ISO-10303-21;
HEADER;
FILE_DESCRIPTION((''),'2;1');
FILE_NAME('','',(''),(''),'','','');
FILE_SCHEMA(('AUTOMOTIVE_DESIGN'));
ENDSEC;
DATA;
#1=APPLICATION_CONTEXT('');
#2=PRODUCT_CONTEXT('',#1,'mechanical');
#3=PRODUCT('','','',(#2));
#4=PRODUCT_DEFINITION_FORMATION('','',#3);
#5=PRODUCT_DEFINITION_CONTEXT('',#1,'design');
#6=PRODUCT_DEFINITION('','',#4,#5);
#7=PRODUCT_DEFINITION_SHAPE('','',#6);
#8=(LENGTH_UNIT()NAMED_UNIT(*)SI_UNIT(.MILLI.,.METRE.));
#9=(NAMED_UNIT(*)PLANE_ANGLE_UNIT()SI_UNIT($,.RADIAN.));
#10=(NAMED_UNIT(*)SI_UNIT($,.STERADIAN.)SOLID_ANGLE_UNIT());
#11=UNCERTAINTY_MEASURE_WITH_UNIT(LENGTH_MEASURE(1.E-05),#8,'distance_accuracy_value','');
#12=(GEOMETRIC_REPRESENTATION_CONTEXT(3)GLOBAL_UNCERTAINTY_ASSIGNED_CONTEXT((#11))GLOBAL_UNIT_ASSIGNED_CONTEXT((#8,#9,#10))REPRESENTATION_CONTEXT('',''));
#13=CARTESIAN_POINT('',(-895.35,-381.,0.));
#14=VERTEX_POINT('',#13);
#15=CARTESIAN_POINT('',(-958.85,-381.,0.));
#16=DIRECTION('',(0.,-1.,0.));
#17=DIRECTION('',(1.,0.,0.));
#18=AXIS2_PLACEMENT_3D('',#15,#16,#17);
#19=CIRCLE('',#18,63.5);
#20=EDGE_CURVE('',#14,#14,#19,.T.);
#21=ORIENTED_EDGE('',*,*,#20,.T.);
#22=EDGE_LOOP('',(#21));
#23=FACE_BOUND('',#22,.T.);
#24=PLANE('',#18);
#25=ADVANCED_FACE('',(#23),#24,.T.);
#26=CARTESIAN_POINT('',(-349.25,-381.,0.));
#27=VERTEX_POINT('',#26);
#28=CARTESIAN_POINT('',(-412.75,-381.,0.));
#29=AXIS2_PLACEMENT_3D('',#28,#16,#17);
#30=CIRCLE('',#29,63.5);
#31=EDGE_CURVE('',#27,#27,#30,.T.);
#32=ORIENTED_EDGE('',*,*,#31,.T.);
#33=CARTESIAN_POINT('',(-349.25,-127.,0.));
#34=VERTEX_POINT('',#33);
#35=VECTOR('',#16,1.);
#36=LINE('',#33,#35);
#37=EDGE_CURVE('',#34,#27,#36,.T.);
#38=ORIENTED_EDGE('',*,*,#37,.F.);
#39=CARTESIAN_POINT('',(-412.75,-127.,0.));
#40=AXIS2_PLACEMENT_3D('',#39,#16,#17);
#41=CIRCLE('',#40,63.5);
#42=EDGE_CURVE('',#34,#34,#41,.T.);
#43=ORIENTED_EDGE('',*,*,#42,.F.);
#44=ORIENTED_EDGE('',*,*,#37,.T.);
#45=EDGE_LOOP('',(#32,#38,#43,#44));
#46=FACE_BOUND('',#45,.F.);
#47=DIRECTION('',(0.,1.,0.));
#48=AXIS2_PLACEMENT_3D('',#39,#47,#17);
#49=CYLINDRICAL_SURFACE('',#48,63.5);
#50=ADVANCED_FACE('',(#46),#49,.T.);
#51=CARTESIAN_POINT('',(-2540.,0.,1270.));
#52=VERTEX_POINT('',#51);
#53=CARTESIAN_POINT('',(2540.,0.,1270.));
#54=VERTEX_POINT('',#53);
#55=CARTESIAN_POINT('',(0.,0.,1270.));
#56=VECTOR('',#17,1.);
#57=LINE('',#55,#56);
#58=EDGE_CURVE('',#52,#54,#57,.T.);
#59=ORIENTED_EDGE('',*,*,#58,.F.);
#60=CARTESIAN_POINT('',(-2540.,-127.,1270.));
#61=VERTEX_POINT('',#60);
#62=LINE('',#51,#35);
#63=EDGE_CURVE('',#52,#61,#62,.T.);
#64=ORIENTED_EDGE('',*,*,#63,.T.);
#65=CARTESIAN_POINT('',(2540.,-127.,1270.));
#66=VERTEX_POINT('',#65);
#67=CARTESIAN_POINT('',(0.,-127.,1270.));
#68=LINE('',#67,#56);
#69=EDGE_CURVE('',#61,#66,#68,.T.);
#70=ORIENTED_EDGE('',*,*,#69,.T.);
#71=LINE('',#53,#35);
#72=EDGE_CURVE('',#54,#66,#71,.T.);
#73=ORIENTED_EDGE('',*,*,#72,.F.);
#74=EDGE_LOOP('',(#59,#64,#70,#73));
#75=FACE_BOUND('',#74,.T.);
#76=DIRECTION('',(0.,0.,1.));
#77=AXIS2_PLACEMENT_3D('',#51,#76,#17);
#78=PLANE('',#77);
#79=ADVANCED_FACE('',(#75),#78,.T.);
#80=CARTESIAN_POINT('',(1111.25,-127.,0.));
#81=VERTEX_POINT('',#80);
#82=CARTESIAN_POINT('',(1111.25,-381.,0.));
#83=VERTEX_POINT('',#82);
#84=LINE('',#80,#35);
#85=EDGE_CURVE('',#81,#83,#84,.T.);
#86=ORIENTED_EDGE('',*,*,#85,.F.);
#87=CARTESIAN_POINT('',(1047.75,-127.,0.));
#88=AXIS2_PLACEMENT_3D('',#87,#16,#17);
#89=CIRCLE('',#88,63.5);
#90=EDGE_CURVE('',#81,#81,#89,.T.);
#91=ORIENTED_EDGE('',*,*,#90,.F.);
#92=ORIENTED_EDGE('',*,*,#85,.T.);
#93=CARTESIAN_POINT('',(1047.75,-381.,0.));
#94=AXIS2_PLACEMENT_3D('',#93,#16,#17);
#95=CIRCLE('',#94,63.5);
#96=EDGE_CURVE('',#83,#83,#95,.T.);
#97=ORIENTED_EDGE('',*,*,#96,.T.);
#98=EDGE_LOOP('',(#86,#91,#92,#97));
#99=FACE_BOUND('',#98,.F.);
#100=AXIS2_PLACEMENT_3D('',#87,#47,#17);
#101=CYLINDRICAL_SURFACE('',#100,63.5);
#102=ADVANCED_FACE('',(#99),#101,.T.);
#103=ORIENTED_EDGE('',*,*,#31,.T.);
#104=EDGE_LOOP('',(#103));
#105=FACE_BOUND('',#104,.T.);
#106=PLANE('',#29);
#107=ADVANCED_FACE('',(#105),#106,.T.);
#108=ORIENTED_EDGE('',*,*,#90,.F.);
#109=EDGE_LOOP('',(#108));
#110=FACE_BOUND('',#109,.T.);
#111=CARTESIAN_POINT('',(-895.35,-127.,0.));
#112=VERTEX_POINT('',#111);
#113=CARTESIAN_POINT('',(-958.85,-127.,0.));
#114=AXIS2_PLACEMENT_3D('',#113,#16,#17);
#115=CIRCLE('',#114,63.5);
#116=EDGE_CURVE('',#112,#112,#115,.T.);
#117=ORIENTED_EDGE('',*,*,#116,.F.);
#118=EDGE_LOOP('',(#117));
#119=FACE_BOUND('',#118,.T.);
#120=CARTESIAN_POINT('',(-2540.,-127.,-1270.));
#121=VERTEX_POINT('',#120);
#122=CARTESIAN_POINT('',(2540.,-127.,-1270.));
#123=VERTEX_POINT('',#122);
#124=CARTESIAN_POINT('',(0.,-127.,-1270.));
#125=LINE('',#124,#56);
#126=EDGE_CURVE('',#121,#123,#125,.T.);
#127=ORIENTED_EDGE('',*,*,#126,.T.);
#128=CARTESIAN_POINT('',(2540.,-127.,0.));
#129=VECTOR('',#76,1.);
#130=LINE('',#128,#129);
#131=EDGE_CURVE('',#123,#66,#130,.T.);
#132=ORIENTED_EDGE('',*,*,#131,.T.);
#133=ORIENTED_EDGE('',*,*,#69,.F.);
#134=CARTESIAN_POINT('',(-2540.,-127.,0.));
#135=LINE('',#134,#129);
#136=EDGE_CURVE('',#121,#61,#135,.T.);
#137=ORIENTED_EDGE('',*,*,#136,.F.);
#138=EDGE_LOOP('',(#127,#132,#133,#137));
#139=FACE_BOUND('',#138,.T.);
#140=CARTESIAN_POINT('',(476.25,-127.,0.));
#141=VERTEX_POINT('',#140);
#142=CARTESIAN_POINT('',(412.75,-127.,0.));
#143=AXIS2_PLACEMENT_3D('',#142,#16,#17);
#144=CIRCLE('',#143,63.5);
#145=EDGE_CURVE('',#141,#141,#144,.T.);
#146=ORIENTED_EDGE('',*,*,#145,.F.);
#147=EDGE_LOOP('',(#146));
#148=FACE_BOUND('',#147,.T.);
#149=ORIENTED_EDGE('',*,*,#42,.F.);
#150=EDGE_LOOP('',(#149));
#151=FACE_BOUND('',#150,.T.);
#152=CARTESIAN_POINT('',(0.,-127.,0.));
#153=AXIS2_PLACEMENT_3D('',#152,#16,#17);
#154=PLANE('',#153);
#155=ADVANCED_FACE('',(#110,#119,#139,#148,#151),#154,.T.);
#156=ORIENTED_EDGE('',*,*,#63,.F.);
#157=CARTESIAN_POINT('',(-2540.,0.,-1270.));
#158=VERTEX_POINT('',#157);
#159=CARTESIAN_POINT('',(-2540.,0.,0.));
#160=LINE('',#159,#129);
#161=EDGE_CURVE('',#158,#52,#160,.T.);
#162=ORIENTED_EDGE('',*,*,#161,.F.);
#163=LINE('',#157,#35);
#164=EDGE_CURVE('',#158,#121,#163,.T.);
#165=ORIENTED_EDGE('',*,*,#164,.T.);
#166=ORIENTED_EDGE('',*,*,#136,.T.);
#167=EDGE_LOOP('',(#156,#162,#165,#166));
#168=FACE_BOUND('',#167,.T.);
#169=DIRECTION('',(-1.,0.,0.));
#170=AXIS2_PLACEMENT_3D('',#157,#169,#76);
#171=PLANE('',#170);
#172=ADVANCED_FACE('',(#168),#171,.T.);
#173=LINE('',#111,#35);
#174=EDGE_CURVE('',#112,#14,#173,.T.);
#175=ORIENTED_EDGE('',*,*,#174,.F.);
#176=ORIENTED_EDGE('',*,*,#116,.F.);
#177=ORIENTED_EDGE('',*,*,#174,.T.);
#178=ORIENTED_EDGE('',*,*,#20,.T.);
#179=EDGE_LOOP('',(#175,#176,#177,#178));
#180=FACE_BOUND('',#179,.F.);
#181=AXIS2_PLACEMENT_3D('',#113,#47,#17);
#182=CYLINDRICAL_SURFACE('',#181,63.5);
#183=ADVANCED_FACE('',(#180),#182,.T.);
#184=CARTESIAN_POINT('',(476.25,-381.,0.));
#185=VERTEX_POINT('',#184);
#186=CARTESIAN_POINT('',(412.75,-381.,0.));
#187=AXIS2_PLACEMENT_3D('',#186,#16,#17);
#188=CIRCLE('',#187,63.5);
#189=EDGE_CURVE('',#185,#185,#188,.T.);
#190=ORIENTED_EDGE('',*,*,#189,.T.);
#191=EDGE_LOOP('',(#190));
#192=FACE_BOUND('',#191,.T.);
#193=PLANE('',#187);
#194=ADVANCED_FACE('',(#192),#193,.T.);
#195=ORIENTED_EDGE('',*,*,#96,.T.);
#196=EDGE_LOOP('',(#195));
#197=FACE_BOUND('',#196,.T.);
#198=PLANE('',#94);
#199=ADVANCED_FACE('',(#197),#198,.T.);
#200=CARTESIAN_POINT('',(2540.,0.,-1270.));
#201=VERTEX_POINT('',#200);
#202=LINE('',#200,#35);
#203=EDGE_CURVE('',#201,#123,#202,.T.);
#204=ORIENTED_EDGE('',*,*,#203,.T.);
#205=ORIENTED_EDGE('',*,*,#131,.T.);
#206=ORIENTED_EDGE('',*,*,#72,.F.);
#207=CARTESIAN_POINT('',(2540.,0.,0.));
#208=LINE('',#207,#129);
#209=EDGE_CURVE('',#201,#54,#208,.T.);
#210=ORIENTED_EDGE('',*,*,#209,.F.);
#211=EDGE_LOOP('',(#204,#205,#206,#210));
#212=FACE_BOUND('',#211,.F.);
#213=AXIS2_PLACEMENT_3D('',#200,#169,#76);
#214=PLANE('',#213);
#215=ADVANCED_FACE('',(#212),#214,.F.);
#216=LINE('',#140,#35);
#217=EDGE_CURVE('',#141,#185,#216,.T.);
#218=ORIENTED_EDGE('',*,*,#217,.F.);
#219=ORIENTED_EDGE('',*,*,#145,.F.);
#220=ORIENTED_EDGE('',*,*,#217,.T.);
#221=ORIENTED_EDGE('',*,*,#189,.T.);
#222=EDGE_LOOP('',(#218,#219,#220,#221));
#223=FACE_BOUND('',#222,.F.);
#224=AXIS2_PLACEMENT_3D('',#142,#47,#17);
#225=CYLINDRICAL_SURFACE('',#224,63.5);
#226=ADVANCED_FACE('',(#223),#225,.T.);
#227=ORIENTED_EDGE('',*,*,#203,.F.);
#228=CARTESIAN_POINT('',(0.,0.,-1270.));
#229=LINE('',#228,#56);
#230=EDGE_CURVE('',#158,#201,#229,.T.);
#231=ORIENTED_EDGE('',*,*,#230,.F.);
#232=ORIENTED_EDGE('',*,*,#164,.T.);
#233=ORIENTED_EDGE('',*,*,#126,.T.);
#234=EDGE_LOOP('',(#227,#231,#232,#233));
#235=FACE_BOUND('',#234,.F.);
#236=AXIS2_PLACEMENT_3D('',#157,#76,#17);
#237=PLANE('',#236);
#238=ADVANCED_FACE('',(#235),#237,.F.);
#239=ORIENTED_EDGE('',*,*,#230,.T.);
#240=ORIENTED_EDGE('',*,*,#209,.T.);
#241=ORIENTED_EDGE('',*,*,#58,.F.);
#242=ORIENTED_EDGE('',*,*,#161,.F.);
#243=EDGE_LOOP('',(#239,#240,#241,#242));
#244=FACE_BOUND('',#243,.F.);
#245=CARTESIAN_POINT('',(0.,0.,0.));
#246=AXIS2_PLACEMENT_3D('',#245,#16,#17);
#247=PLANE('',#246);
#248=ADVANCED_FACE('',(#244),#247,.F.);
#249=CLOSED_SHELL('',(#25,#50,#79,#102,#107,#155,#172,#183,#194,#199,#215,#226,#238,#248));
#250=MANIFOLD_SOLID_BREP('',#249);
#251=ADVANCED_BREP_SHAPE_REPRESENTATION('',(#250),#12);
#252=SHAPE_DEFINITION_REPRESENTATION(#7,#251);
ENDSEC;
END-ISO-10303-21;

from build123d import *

# Parameters (mm, degrees)
F0_W     = 5080
F0_H     = 2540
F1_DEPTH = 127
F2_R     = 63.5
F3_DEPTH = 254


with BuildPart() as f1:
    # F0 (on Front) → F1 (new body)
    with BuildSketch(Plane.XZ):
        Rectangle(F0_W, F0_H)
    extrude(amount=F1_DEPTH)

    # F2 (on face) → F3 (join)
    with BuildSketch(Plane.XZ.offset(127)):
        with Locations((-958.85, 0)):
            Circle(F2_R)
        with Locations((-412.75, 0)):
            Circle(F2_R)
        with Locations((412.75, 0)):
            Circle(F2_R)
        with Locations((1047.75, 0)):
            Circle(F2_R)
    extrude(amount=F3_DEPTH)


solid = f1.part
